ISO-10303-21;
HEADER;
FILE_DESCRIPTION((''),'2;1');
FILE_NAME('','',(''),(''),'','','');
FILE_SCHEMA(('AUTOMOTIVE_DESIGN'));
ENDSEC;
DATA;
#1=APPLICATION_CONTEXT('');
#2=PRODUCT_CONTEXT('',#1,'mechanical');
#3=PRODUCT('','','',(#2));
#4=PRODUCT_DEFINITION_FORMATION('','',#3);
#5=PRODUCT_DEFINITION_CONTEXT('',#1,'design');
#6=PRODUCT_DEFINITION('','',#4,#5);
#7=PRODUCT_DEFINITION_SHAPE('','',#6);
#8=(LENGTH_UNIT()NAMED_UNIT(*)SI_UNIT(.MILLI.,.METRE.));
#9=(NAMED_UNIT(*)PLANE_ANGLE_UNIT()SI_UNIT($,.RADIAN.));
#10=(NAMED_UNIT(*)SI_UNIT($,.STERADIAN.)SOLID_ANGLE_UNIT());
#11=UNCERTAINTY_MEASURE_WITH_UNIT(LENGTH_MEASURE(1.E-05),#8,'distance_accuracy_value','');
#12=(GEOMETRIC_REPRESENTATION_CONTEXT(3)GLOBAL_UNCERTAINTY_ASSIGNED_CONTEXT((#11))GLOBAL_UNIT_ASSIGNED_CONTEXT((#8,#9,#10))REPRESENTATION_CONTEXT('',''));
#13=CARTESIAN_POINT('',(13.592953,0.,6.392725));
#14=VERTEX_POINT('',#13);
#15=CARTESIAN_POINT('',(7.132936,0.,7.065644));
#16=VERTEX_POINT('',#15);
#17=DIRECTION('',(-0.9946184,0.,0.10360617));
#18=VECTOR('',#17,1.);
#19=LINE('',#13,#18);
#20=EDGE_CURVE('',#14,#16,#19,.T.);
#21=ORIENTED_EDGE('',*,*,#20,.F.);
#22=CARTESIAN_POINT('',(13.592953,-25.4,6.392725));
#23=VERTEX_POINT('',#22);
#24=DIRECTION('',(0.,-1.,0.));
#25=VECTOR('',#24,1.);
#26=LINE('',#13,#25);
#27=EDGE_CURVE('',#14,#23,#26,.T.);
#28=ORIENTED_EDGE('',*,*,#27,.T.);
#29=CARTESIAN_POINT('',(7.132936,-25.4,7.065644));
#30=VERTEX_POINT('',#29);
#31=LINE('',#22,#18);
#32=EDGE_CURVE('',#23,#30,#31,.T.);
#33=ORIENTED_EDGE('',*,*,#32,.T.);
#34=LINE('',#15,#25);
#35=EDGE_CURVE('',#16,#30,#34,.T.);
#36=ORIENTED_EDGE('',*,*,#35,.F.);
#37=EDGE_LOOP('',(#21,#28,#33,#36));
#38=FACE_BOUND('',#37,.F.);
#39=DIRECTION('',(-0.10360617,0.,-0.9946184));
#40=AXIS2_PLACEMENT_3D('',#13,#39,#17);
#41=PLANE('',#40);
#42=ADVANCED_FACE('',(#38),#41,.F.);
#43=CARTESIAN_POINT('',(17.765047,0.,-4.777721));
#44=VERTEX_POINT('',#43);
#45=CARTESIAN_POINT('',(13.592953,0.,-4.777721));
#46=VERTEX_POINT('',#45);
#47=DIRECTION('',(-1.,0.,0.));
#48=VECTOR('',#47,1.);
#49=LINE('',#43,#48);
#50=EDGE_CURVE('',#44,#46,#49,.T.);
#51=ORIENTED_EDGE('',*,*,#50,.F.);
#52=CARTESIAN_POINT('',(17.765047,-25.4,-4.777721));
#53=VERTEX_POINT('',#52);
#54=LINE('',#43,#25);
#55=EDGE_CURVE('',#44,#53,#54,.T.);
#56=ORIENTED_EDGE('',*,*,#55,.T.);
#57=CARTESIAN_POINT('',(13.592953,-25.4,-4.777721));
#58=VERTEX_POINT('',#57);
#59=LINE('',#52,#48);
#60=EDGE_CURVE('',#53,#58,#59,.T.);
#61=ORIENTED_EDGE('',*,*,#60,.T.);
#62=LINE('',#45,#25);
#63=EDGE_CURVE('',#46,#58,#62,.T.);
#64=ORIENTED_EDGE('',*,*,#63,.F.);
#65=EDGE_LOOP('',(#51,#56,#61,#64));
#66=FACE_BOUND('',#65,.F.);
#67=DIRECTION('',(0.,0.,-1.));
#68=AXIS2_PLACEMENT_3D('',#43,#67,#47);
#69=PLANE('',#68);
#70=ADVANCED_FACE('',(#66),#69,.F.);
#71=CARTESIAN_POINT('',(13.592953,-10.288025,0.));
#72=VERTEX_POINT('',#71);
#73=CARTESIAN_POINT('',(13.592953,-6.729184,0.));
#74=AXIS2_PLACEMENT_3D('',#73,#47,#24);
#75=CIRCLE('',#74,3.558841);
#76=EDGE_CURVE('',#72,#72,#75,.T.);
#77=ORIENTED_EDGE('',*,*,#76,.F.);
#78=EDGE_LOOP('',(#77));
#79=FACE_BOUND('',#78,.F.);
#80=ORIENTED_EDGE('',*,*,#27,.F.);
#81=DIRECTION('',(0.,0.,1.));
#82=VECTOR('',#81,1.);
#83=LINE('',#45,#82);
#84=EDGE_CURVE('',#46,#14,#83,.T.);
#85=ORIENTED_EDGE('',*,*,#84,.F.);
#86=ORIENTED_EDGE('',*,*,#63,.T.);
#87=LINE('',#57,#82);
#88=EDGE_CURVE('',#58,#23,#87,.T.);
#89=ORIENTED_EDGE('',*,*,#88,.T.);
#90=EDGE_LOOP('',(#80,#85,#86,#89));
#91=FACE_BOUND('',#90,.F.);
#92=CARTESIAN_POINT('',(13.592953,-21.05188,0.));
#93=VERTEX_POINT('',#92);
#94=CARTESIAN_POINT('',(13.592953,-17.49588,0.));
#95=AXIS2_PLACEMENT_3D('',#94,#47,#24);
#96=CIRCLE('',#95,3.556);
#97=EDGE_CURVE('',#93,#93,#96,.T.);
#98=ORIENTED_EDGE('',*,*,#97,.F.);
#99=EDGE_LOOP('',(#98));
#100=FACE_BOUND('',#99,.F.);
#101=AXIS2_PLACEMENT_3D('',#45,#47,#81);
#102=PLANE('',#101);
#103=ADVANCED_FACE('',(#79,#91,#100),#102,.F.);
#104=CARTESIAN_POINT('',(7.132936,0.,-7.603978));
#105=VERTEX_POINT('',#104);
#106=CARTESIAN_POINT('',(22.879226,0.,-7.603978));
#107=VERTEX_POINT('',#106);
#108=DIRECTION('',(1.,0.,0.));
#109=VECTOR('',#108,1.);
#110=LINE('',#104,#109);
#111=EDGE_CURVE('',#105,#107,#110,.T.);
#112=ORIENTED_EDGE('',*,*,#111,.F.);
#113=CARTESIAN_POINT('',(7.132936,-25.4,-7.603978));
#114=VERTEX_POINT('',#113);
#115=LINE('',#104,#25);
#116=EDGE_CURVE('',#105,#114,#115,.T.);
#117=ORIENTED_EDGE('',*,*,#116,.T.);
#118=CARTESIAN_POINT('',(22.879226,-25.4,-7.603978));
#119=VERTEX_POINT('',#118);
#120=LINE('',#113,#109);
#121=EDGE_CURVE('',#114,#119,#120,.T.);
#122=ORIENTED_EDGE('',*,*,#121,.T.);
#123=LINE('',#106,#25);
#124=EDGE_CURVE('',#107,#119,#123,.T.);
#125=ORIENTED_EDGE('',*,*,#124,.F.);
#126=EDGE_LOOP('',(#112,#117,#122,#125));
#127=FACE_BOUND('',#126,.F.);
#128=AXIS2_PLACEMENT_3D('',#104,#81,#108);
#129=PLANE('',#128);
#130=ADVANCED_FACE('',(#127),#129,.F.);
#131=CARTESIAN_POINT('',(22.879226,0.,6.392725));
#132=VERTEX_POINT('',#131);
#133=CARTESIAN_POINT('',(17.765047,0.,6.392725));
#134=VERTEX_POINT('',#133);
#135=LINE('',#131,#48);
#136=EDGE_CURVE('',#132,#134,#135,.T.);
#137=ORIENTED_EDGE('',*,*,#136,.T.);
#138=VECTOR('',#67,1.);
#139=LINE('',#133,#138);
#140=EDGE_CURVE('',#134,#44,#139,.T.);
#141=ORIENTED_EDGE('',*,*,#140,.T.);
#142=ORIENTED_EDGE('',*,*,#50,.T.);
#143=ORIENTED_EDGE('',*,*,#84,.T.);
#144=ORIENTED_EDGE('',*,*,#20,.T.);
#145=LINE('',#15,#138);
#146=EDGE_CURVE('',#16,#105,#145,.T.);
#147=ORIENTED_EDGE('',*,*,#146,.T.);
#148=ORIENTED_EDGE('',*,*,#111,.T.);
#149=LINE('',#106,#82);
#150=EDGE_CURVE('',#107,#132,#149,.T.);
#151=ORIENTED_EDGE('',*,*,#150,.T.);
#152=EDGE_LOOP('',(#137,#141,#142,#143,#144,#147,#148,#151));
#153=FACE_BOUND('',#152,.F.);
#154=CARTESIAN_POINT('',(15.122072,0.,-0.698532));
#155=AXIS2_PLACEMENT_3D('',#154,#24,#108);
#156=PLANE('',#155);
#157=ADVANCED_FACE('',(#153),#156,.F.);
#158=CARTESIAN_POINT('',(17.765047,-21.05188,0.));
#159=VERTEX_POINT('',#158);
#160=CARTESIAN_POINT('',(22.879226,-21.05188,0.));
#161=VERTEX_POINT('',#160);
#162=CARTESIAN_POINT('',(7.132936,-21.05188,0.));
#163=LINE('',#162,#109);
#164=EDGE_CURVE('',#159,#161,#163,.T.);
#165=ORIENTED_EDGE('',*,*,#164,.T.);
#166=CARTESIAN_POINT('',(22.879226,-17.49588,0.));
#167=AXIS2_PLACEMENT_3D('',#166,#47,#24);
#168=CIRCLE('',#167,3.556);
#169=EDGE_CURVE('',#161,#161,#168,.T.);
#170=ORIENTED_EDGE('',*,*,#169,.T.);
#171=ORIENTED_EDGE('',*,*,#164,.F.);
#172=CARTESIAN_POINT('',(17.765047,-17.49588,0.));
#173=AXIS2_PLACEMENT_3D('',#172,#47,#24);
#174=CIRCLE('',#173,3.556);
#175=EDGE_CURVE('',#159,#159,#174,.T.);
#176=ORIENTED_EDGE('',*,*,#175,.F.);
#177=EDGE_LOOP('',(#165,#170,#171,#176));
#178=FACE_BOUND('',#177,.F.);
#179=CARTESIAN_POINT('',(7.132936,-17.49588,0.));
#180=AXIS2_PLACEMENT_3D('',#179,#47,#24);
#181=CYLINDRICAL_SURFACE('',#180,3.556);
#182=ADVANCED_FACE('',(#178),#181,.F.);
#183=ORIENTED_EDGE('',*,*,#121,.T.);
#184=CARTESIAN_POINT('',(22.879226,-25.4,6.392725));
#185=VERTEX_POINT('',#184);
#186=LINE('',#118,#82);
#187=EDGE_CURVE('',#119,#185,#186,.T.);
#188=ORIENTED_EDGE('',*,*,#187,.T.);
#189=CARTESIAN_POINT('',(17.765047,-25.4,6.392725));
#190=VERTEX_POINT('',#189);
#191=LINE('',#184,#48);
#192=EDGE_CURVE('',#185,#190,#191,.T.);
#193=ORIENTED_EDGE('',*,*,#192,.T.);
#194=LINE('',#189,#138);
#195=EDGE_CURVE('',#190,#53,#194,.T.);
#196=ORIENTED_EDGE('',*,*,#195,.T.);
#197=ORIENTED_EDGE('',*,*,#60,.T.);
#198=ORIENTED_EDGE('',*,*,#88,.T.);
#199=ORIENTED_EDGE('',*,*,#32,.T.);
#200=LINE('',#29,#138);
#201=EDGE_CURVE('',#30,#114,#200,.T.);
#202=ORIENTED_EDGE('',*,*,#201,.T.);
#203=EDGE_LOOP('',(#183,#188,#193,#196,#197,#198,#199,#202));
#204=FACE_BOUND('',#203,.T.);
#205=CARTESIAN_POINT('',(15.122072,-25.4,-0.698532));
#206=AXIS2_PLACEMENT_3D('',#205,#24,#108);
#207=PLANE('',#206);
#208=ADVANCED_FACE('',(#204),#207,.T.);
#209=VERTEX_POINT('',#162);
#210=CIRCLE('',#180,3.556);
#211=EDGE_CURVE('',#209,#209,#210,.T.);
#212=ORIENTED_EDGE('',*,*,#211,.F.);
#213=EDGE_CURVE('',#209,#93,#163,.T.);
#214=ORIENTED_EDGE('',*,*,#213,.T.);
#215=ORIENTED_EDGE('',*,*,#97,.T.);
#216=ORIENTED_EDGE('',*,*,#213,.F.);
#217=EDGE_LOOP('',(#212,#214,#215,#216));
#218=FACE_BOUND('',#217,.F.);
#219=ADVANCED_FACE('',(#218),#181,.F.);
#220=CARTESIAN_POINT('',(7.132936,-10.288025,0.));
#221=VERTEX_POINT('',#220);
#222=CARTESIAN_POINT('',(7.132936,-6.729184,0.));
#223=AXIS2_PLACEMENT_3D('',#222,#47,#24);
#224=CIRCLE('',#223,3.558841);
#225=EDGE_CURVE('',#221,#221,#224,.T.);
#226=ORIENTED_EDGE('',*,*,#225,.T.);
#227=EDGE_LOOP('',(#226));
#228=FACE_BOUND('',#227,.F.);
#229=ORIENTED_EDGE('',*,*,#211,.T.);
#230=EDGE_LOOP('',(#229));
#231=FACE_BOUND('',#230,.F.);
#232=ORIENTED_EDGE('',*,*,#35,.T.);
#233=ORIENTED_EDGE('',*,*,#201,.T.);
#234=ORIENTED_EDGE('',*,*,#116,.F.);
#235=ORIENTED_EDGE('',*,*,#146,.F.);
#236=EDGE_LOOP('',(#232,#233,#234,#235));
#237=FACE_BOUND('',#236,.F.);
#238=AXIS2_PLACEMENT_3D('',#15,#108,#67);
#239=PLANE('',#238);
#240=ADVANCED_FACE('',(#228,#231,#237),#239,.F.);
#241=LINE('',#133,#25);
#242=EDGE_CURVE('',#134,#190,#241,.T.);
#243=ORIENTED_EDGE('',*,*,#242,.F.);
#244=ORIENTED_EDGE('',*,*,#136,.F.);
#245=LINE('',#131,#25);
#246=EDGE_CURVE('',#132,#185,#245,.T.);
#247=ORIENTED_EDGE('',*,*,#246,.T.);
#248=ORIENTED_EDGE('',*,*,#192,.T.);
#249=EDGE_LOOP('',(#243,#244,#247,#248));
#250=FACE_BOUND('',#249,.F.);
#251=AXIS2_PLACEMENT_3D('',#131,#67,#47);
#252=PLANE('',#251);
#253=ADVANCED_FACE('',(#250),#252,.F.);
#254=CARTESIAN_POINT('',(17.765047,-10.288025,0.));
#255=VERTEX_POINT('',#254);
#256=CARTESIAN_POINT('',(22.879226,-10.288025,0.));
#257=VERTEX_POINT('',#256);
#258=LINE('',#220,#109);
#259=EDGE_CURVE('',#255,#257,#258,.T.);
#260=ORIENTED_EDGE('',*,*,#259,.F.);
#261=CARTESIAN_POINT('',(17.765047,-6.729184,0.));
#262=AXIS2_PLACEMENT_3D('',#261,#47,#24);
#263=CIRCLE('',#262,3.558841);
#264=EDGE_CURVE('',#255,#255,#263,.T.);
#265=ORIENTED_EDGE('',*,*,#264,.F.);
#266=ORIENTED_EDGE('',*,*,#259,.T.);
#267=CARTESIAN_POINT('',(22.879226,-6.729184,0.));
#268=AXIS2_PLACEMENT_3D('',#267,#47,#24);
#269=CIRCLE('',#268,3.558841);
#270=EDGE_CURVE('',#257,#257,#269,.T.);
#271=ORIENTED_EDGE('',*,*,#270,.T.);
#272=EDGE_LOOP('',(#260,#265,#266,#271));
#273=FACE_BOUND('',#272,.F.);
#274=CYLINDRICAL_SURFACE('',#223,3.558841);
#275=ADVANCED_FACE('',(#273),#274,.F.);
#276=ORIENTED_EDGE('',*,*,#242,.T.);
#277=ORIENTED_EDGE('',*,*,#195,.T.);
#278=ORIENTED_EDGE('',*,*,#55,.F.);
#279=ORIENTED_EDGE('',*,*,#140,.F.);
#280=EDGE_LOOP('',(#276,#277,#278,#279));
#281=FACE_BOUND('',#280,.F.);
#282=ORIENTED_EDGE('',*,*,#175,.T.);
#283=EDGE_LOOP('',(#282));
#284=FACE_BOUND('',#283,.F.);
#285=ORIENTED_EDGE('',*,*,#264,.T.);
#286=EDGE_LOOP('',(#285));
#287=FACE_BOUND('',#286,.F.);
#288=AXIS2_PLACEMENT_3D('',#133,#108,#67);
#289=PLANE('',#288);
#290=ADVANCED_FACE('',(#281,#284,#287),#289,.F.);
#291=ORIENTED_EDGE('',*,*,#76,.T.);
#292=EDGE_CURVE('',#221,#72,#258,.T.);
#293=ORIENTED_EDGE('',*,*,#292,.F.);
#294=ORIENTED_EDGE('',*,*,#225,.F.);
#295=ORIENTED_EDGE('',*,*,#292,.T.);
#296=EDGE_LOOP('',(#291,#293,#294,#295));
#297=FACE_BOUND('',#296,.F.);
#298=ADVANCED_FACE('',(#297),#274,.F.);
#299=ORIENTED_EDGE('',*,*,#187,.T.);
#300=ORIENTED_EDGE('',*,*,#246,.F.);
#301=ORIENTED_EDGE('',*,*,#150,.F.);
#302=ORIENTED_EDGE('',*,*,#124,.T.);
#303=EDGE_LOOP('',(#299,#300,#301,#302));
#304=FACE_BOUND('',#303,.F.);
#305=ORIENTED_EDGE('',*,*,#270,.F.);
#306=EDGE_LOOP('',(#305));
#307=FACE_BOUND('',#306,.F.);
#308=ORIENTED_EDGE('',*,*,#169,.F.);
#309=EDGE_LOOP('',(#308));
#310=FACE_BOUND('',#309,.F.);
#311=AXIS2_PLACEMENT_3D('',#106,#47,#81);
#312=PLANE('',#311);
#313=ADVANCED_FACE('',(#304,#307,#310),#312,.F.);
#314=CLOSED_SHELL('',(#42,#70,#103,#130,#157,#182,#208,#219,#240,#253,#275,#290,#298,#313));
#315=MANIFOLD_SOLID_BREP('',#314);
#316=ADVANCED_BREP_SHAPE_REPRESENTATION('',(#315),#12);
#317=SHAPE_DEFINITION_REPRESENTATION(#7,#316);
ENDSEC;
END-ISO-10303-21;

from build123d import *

# Parameters (mm, degrees)
F1_DEPTH = 25.4
F2_R     = 3.558841
F2_R_2   = 3.556
F3_DEPTH = 25.4


with BuildPart() as f1:
    # F0 (on Front) → F1 (new body)
    with BuildSketch(Plane.XZ):
        Polygon((13.592953, 6.392725), (7.132936, 7.065644), (7.132936, -7.603978), (22.879226, -7.603978), (22.879226, 6.392725), (17.765047, 6.392725), (17.765047, -4.777721), (13.592953, -4.777721), align=None)
    extrude(amount=F1_DEPTH)

    # F2 (on face) → F3 (cut)
    with BuildSketch(Plane(origin=(7.132936, 0, 0), x_dir=(0, -1, 0), z_dir=(-1, 0, 0))):
        with Locations((6.729184, 0)):
            Circle(F2_R)
        with Locations((17.49588, 0)):
            Circle(F2_R_2)
    extrude(amount=-F3_DEPTH, mode=Mode.SUBTRACT)


solid = f1.part
